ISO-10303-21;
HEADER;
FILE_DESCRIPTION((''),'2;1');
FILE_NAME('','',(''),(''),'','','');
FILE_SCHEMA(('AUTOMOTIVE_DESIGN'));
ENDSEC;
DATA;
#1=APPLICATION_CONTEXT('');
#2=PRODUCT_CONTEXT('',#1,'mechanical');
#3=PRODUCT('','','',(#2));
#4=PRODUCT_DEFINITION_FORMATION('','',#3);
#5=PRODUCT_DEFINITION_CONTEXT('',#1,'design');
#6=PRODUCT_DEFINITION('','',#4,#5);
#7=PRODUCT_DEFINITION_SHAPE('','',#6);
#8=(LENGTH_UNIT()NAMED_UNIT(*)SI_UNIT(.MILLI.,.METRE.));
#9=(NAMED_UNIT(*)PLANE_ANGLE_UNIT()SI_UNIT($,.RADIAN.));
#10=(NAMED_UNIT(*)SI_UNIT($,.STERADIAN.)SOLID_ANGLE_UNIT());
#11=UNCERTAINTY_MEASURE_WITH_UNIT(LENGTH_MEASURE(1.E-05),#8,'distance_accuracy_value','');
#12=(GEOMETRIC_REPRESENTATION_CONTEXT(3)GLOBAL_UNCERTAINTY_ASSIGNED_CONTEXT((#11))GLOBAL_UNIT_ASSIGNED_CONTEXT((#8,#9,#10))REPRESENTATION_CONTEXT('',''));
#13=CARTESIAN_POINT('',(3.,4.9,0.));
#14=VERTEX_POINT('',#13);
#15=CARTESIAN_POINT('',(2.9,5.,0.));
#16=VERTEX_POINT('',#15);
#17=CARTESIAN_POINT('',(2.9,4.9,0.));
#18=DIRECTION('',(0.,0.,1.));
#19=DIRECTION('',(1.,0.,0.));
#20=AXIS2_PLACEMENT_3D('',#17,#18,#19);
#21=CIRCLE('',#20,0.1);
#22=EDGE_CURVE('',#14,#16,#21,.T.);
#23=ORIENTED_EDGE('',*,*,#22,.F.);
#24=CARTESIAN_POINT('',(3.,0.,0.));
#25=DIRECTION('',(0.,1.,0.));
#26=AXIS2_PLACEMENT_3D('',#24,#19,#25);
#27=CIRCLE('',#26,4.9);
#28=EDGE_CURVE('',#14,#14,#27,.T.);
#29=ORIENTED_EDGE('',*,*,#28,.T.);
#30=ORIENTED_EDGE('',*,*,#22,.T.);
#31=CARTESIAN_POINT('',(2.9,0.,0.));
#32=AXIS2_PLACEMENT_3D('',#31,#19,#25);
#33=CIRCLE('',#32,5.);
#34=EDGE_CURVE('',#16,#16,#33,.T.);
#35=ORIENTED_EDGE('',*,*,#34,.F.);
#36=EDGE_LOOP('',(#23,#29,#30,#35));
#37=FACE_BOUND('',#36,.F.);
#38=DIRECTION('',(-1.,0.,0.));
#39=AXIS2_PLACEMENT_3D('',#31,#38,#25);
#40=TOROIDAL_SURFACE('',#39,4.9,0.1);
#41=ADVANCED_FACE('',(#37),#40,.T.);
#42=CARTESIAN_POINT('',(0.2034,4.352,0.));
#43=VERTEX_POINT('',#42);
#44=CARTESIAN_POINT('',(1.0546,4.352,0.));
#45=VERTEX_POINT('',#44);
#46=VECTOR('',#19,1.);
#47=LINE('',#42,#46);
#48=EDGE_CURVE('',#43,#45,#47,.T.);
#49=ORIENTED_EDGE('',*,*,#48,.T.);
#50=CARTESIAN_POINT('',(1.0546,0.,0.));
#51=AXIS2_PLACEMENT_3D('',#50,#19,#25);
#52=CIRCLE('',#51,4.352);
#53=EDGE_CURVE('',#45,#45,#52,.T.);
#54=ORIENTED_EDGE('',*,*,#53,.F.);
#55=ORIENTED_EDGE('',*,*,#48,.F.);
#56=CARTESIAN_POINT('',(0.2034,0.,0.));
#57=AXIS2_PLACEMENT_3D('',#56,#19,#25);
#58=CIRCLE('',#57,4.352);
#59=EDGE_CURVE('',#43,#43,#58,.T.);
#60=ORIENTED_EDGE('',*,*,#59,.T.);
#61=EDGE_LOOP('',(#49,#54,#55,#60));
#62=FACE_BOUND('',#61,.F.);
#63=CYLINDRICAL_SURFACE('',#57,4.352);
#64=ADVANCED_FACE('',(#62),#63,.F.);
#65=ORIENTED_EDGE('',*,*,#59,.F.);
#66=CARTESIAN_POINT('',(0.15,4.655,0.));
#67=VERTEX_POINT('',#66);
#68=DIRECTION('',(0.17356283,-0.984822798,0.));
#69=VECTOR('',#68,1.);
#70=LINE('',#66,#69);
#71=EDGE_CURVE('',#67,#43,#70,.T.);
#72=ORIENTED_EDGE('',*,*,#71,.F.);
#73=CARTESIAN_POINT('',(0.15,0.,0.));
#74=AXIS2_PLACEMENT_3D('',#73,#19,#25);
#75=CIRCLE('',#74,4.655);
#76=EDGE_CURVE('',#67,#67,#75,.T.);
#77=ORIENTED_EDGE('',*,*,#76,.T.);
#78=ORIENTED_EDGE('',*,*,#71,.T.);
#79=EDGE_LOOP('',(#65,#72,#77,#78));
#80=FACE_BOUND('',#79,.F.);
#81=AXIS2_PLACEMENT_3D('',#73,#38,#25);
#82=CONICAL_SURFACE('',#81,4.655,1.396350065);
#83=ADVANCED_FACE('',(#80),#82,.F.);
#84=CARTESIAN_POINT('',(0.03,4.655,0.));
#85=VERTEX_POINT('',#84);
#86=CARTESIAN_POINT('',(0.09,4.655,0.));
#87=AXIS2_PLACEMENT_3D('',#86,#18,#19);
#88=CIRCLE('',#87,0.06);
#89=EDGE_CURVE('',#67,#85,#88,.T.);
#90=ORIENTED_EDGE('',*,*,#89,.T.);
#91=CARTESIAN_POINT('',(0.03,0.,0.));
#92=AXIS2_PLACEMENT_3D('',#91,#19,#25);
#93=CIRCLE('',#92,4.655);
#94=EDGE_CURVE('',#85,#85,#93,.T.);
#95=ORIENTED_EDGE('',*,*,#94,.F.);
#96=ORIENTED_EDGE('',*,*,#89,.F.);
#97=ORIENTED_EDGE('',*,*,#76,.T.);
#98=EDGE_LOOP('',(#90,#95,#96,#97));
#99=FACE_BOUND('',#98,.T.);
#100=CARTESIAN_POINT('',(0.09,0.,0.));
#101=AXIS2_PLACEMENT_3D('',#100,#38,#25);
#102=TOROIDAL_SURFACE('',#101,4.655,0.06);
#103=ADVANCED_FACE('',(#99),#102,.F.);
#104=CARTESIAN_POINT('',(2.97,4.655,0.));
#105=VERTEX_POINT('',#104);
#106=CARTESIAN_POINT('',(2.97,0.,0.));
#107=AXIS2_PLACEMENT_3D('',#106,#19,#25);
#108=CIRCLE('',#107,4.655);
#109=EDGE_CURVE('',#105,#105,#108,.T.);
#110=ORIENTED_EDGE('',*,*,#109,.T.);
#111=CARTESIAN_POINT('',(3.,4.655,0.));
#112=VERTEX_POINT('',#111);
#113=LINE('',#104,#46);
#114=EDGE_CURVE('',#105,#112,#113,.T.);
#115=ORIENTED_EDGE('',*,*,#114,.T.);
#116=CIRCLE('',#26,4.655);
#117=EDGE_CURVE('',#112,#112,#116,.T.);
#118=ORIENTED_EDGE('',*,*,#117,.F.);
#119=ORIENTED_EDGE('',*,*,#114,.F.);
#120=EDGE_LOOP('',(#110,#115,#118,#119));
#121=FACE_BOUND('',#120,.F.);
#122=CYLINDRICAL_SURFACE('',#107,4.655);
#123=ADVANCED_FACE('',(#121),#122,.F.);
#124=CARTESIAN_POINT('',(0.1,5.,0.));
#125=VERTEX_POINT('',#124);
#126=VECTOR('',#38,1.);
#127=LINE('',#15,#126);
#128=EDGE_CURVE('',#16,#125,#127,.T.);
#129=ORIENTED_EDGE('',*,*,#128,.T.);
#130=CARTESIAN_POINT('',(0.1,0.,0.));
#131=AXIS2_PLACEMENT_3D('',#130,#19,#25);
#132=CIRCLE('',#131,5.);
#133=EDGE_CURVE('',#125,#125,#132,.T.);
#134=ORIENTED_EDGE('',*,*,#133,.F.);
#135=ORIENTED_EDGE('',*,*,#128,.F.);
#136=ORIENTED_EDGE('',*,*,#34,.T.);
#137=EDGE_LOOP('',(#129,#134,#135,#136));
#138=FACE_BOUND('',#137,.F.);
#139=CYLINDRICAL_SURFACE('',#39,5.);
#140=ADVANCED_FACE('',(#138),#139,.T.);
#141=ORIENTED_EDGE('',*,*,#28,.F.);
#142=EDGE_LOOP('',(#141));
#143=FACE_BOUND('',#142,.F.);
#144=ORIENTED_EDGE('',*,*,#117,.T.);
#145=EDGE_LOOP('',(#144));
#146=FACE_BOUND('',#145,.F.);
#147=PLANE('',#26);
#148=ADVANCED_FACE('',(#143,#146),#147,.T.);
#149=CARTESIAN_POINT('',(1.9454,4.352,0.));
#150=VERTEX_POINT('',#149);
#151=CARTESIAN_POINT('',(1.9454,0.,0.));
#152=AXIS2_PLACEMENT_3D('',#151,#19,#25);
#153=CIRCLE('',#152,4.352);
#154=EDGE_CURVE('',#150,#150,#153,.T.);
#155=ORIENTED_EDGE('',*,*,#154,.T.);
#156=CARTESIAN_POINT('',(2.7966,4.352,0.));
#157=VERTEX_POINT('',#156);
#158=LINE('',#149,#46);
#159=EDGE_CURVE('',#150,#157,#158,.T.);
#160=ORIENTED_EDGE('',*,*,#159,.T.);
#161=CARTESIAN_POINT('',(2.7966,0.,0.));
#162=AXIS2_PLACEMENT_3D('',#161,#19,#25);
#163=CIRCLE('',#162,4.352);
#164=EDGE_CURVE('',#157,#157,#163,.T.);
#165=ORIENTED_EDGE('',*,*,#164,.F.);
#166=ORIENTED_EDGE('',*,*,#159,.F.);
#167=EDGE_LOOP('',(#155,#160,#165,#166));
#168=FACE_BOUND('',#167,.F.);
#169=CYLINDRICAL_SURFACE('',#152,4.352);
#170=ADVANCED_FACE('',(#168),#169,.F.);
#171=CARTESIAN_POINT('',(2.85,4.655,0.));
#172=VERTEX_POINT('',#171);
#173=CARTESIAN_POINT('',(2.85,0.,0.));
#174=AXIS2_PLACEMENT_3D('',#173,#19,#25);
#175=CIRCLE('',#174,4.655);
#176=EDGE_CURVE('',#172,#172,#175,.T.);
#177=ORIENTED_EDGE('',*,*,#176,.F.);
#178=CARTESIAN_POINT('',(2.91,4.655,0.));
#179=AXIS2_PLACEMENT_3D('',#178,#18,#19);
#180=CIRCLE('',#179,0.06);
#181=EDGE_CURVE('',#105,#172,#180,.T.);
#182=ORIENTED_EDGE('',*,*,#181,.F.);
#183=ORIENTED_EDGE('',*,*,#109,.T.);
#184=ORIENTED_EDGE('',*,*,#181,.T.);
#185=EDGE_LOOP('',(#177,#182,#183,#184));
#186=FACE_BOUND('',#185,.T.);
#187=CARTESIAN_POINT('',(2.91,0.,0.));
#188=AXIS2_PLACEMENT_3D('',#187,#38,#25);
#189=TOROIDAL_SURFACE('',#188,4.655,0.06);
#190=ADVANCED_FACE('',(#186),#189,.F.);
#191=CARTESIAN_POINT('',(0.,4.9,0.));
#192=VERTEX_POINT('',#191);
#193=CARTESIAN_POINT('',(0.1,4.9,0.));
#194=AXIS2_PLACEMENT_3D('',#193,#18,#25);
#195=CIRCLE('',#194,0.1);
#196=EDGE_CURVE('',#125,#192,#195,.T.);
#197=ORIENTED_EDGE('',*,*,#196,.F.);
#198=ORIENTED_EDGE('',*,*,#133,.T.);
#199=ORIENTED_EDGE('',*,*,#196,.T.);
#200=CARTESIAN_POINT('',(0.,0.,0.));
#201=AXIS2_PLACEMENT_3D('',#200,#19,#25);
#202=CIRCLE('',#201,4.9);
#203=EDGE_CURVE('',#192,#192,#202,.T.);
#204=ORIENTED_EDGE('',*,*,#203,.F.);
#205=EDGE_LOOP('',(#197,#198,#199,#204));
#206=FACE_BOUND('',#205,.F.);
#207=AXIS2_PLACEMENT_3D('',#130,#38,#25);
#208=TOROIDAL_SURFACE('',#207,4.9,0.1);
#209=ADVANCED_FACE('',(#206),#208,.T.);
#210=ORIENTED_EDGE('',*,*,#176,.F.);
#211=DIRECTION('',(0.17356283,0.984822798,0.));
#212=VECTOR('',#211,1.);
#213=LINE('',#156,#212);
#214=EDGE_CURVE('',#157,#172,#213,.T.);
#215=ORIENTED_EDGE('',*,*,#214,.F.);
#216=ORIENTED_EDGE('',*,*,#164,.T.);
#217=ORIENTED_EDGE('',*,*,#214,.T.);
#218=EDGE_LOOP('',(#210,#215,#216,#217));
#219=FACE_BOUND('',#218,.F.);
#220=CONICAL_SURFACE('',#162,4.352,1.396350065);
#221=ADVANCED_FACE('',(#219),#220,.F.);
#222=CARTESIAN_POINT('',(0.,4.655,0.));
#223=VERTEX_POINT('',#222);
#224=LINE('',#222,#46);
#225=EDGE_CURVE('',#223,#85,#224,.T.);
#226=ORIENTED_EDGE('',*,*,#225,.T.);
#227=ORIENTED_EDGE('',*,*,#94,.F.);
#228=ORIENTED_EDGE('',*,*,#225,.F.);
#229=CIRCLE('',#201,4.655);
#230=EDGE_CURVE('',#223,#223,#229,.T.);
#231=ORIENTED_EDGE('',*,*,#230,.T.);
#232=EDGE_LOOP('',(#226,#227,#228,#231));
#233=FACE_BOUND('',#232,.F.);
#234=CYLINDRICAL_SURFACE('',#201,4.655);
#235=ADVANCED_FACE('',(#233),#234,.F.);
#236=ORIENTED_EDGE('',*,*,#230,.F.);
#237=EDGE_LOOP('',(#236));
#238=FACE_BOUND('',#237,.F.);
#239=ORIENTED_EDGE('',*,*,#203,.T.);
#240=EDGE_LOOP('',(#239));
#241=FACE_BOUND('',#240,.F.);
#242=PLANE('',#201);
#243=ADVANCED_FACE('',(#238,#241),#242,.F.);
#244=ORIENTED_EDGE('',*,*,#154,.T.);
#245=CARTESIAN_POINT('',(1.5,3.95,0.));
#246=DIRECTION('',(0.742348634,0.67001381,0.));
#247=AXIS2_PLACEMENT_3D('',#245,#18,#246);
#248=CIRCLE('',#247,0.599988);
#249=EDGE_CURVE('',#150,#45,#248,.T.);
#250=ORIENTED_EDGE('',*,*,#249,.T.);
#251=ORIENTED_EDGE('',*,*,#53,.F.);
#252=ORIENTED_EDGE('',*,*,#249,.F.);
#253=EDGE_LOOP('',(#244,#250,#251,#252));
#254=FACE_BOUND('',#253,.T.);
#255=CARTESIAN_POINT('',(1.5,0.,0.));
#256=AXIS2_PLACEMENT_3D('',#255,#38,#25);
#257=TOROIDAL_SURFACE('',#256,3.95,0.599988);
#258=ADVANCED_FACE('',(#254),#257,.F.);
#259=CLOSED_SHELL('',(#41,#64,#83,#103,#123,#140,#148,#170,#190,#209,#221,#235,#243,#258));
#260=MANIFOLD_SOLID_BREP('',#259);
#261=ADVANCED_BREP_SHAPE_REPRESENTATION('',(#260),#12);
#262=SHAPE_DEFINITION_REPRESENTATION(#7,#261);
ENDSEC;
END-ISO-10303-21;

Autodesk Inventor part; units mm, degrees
ref_plane "YZ Plane" through (0, 0, 0) normal (1, 0, 0) x (0, 1, 0)
ref_plane "XZ Plane" through (0, 0, 0) normal (0, 1, 0) x (-1, 0, 0)
ref_plane "XY Plane" through (0, 0, 0) normal (0, 0, 1) x (1, 0, 0)
sketch "Sketch_17" plane through (0, 0, 0) normal (0, 0, 1) x (1, 0, 0)
  line L0 (50, 0) -> (-50, 0)
  line L1 (0, 4.9) -> (0, 4.655)
  line L2 (0, 4.655) -> (0.03, 4.655)
  arc A0 (0.15, 4.655) -> (0.03, 4.655) centre (0.09, 4.655) ccw
  line L3 (0.15, 4.655) -> (0.2034, 4.352)
  line L4 (0.2034, 4.352) -> (1.0546, 4.352)
  arc A1 (1.9454, 4.352) -> (1.0546, 4.352) centre (1.5, 3.95) ccw
  line L5 (1.9454, 4.352) -> (2.7966, 4.352)
  line L6 (2.7966, 4.352) -> (2.85, 4.655)
  arc A2 (2.97, 4.655) -> (2.85, 4.655) centre (2.91, 4.655) ccw
  line L7 (2.97, 4.655) -> (3, 4.655)
  line L8 (3, 4.655) -> (3, 4.9)
  arc A3 (3, 4.9) -> (2.9, 5) centre (2.9, 4.9) ccw
  line L9 (2.9, 5) -> (0.1, 5)
  arc A4 (0.1, 5) -> (0, 4.9) centre (0.1, 4.9) ccw
revolve "Revolution1" add sketch "Sketch_17" angle 360 about axis through (50, 0, 0) along (1, 0, 0)
properties part number "W 627/6-2Z_PART2"
